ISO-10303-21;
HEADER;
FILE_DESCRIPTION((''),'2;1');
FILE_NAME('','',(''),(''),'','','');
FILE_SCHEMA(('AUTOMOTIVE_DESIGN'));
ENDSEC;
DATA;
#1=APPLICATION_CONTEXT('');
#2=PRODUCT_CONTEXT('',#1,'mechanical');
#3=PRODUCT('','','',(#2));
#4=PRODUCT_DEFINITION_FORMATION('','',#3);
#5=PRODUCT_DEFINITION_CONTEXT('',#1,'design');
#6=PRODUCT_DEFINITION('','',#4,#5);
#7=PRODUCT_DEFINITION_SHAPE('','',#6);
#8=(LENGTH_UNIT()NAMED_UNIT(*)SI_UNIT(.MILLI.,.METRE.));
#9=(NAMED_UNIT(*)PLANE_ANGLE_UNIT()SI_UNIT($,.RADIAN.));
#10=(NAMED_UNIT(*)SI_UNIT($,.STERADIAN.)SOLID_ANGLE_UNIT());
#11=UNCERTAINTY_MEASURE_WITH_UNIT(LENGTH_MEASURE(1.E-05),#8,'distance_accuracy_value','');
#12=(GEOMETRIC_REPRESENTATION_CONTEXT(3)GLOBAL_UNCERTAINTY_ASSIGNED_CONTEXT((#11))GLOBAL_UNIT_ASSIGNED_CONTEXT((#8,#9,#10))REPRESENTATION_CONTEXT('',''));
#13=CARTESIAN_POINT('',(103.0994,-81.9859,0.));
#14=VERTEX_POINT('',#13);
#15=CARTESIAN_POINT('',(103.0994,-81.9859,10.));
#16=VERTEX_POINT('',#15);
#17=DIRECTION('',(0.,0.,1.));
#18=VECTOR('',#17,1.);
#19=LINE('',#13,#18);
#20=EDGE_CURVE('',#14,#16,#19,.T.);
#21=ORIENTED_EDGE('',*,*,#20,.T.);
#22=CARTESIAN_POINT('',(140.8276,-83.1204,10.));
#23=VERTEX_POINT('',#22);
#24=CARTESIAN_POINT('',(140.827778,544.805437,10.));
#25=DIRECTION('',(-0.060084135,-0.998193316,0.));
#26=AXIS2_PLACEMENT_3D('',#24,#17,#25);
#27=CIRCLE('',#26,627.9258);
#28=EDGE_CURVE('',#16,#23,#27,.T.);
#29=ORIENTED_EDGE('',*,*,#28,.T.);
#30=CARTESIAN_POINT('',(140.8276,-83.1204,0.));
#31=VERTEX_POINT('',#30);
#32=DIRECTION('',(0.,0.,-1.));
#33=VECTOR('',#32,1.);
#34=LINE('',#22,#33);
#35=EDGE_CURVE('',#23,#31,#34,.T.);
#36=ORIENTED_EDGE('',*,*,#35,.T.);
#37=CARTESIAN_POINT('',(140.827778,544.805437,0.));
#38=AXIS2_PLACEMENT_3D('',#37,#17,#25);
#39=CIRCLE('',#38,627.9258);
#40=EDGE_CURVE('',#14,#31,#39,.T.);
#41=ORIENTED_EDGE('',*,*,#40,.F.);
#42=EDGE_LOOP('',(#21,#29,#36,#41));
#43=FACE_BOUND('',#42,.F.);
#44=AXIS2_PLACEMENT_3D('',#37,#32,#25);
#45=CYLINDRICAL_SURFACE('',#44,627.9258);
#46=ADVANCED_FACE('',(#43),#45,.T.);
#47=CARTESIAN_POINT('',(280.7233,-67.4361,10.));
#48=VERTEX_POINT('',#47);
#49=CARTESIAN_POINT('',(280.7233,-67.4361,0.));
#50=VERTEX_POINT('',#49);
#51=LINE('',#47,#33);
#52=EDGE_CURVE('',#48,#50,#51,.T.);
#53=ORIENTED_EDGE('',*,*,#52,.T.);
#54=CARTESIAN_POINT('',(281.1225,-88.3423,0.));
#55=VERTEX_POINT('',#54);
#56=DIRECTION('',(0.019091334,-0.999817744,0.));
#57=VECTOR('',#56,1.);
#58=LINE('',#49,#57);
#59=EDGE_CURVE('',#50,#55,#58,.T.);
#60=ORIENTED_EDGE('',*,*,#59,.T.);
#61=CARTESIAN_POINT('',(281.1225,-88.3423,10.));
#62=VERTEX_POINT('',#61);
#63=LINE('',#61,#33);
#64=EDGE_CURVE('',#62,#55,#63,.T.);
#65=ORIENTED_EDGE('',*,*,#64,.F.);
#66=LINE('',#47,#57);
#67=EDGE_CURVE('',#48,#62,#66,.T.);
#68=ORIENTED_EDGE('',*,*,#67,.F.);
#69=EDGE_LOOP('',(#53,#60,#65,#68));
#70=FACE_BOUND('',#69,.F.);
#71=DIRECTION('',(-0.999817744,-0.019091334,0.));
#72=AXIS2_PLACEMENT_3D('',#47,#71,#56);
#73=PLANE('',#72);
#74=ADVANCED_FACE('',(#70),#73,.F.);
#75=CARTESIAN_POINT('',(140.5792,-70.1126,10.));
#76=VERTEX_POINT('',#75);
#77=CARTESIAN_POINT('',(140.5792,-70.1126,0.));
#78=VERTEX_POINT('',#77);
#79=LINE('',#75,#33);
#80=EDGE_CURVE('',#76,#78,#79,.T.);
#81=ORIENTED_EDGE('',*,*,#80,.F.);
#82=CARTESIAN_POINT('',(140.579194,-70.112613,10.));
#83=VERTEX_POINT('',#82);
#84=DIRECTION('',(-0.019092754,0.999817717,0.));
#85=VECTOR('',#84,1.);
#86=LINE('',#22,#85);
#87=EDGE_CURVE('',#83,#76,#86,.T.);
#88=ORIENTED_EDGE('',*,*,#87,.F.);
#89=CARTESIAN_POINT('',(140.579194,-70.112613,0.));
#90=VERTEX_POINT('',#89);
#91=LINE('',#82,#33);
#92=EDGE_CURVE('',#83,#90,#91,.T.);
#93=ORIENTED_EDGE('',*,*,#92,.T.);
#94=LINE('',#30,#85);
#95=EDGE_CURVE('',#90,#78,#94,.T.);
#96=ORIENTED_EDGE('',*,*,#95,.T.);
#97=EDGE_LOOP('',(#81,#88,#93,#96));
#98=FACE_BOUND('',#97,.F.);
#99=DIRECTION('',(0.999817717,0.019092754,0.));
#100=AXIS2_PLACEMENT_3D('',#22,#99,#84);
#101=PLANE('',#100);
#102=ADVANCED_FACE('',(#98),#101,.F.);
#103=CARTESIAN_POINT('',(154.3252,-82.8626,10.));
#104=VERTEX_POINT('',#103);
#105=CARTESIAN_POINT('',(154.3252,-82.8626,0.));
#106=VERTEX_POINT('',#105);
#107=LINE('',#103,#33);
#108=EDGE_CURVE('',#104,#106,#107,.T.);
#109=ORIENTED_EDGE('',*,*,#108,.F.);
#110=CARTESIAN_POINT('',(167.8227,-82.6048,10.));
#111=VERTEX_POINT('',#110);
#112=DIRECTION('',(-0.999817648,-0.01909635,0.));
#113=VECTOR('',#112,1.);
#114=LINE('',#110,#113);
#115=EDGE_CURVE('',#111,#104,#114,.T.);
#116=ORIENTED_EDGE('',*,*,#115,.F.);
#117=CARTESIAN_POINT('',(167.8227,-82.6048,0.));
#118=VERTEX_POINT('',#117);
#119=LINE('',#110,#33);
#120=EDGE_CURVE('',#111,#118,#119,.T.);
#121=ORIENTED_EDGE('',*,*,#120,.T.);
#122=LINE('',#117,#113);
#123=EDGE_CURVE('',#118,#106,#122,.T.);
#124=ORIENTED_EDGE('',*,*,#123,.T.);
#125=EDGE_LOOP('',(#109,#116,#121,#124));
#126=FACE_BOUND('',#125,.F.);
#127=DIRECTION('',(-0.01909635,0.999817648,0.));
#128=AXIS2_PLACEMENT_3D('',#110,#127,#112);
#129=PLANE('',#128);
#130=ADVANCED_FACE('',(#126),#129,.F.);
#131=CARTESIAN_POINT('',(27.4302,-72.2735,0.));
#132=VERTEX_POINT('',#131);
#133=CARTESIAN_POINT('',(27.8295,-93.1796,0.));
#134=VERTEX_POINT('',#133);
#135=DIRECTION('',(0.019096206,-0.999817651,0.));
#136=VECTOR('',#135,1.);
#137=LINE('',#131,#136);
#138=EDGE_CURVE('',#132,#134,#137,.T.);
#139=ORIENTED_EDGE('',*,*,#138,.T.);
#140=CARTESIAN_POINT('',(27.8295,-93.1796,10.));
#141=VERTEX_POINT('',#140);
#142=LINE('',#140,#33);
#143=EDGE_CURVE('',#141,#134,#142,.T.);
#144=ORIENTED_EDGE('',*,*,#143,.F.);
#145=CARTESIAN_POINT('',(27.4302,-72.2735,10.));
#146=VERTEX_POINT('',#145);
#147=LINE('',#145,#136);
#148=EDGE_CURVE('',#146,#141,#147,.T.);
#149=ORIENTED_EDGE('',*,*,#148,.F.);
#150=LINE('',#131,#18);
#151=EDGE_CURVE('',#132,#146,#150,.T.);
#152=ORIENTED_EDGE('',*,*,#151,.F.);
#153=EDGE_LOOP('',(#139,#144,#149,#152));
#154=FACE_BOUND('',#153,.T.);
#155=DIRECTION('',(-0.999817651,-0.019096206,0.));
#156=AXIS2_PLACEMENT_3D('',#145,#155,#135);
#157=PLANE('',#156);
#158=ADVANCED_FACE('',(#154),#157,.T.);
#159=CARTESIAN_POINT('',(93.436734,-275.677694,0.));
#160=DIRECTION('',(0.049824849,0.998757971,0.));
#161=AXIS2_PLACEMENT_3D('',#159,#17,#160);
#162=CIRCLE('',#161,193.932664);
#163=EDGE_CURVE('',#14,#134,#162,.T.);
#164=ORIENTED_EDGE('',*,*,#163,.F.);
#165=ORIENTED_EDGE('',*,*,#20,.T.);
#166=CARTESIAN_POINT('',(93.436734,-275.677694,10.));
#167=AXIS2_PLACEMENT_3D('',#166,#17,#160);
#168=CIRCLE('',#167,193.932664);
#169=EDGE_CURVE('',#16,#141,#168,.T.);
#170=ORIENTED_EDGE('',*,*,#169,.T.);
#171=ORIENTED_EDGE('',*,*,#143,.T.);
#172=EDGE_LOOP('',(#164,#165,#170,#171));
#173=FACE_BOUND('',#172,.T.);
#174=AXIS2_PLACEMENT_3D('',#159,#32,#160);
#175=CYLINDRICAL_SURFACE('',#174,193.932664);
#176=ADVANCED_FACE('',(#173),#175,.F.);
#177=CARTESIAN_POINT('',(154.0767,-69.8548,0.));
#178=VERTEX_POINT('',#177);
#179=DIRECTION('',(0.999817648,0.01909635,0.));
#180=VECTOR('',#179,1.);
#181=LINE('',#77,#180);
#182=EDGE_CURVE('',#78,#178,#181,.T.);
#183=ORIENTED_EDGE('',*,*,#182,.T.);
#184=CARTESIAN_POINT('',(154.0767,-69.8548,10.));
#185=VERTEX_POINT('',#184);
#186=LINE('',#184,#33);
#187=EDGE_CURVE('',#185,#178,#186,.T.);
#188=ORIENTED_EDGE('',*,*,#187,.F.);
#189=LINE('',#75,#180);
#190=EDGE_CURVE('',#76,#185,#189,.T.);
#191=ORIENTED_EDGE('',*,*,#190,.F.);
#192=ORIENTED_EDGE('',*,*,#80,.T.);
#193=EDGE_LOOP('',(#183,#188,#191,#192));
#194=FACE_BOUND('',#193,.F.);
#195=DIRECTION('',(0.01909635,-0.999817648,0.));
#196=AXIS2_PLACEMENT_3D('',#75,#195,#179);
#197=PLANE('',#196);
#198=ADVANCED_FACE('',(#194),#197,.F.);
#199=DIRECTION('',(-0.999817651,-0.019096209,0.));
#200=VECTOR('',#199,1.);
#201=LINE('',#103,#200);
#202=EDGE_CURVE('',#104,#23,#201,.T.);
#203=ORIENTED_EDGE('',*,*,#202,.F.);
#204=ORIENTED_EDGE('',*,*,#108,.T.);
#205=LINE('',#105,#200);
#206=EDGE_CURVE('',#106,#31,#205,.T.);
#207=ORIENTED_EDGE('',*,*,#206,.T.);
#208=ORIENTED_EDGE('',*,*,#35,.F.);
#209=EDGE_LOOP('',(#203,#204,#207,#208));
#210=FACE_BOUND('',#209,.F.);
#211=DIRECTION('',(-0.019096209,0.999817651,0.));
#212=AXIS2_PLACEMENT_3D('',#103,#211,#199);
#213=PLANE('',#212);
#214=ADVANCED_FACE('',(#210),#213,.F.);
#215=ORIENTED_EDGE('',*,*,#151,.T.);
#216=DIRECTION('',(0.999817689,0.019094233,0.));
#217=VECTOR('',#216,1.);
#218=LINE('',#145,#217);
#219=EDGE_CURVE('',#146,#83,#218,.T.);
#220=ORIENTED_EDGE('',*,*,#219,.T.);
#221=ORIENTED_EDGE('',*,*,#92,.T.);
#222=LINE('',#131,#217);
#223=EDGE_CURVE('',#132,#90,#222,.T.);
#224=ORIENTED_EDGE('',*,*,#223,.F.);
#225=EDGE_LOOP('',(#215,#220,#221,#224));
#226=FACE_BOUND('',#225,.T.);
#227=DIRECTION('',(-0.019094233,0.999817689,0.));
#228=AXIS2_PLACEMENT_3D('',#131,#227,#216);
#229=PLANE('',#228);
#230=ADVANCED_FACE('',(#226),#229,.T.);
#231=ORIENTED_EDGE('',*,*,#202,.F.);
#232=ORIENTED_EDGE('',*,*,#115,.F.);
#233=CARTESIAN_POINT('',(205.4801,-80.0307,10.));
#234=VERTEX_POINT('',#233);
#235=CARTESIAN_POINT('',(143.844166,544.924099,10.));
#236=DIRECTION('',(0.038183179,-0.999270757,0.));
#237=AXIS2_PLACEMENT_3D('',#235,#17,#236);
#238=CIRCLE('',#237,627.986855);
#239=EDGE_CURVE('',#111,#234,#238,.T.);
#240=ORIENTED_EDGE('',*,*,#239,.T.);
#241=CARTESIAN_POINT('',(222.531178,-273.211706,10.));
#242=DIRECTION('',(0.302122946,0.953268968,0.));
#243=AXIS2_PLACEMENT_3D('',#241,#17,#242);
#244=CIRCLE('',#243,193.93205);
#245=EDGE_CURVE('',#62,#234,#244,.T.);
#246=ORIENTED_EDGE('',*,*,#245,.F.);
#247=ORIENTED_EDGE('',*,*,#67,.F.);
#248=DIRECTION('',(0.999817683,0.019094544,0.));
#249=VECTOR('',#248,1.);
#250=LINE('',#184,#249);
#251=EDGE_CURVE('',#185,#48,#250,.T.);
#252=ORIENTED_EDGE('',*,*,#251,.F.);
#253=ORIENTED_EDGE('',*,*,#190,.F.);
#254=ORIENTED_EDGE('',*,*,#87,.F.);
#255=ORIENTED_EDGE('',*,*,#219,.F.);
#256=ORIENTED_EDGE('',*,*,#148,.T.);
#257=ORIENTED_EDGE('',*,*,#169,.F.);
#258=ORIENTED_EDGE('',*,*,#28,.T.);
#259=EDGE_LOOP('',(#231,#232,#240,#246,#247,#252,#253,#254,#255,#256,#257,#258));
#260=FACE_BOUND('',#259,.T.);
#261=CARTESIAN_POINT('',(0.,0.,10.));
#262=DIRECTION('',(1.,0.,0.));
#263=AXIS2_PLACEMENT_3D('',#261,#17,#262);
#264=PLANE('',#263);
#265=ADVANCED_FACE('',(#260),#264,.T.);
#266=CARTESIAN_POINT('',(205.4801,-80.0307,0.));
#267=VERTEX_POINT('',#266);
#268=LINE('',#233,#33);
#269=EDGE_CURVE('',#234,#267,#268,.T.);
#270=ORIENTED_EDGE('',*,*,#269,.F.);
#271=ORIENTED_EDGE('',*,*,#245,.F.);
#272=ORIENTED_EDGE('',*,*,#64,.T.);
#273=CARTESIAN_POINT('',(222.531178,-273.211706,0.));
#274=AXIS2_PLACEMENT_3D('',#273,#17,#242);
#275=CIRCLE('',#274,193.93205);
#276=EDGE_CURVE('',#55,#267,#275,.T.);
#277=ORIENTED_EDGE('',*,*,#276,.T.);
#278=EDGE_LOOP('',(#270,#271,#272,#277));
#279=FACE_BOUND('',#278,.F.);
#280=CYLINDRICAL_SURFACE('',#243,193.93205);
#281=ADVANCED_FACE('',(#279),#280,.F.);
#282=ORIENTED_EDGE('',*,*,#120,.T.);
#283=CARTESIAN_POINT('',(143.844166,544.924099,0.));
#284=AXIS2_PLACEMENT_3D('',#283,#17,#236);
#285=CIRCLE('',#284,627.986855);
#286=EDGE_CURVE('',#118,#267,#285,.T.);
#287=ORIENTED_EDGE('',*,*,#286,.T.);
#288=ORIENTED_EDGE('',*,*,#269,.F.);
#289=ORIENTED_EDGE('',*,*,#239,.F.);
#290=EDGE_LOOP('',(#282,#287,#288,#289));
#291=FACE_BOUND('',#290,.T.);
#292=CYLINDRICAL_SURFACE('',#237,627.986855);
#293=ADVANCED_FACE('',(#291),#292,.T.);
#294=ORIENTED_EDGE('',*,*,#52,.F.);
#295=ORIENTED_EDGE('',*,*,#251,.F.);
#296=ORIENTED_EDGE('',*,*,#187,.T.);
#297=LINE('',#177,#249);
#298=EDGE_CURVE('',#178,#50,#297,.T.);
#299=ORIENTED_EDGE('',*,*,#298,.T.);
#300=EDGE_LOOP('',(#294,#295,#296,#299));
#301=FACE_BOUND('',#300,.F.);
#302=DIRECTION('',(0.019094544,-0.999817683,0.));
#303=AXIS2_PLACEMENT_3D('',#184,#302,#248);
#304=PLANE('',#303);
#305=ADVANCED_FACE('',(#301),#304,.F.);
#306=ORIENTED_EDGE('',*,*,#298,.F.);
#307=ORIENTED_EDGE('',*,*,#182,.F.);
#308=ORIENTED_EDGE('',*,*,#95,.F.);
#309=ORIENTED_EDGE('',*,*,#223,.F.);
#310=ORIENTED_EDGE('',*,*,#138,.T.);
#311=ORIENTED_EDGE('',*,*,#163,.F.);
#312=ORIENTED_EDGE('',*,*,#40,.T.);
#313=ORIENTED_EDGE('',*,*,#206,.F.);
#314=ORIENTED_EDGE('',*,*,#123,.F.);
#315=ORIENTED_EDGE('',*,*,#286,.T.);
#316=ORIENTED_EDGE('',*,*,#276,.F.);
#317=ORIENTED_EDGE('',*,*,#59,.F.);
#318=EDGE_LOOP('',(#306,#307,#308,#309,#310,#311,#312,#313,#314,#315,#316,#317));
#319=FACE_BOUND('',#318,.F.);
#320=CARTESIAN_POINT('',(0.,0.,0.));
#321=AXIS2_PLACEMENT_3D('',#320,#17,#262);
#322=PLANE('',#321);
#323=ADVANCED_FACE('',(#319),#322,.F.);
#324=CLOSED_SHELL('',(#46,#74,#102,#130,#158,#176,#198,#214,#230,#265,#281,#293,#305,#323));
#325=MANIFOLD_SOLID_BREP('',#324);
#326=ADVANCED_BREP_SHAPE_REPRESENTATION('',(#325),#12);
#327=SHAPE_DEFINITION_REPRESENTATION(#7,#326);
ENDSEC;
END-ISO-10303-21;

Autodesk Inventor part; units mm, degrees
ref_plane "YZ Plane" through (0, 0, 0) normal (1, 0, 0) x (0, 1, 0)
ref_plane "XZ Plane" through (0, 0, 0) normal (0, 1, 0) x (-1, 0, 0)
ref_plane "XY Plane" through (0, 0, 0) normal (0, 0, 1) x (1, 0, 0)
sketch "Sketch1" plane through (0, 0, 0) normal (0, 0, 1) x (1, 0, 0)
  line L0 (0, 0) -> (293.4944, 0) construction
  line L1 (293.4944, 0) -> (293.4944, -132.0217) construction
  line L2 (293.4944, -132.0217) -> (0, -132.0217) construction
  line L3 (0, -132.0217) -> (0, 0) construction
  line L4 (79.3681, -56.3049) -> (159.3681, -56.3049) construction
  line L5 (283.1562, -93.1287) -> (274.2161, -88.6482) construction
  line L6 (283.1562, -93.1287) -> (282.3201, -93.1287) construction
  line L7 (18.3483, -97.5091) -> (27.4302, -93.3236) construction
  line L8 (18.3483, -97.5091) -> (20.5956, -97.5091) construction
  arc A0 (103.0994, -81.9859) -> (27.4302, -93.3236) centre (93.4367, -275.677) ccw
  arc A1 (274.2161, -88.6482) -> (204.4098, -79.893) centre (217.7822, -255.937) ccw
  arc A2 (103.0994, -81.9859) -> (204.4098, -79.893) centre (140.8276, 544.7964) ccw
  line L9 (27.4302, -93.3236) -> (27.4302, -72.2735)
  line L10 (27.4302, -72.2735) -> (272.6166, -67.591)
  line L11 (272.6166, -67.591) -> (274.2161, -88.6482)
  line L12 (103.0994, -81.9859) -> (86.3195, -71.1488) construction
  line L13 (204.4098, -79.893) -> (220.9707, -68.5773) construction
  line L14 (86.3195, -71.1488) -> (86.3195, -81.1488) construction
  line L15 (86.3195, -81.1488) -> (103.0994, -81.9859) construction
  line L16 (220.9707, -68.5773) -> (221.7303, -78.5773) construction
  line L17 (221.7303, -78.5773) -> (204.4098, -79.893) construction
  dimension "d5" = 80
  dimension "d85" = 10
  dimension "d87" = 26.619
  dimension "d92" = 10
  dimension "d94" = 24.743
  dimension "d100" = 22.985
  dimension "d101" = 22.755
  dimension "d106" = 10
  dimension "d111" = 10
  dimension "d112" = 30
  dimension "d113" = 30
extrude "Extrusion1" add sketch "Sketch1" along normal blind 10
sketch "Sketch2" plane through (0, 0, 10) normal (0, 0, 1) x (1, 0, 0)
  arc A0 (103.0994, -81.9859) -> (204.4098, -79.893) centre (140.8276, 544.7964) ccw projected
  line L0 (272.6166, -67.591) -> (27.4302, -72.2735) projected
  line L1 (27.4302, -72.2735) -> (27.4302, -93.3236) projected
  line L2 (274.2161, -88.6482) -> (272.6166, -67.591) projected
  line L3 (125.3768, -83.1204) -> (158.7723, -83.1204)
  line L4 (140.8276, -83.1204) -> (140.8276, -70.1078)
  line L5 (140.8276, -76.6141) -> (27.4302, -76.6141)
  line L6 (140.8276, -76.6141) -> (273.302, -76.6141)
  arc A1 (274.2161, -88.6482) -> (204.4098, -79.893) centre (217.7822, -255.937) ccw projected
  line L7 (274.2161, -88.6482) -> (272.6166, -67.591) projected
  line L8 (272.6166, -67.591) -> (27.4302, -72.2735) projected
  line L9 (27.4302, -72.2735) -> (27.4302, -93.3236) projected
  arc A2 (103.0994, -81.9859) -> (27.4302, -93.3236) centre (93.4367, -275.677) ccw projected
  arc A3 (103.0994, -81.9859) -> (204.4098, -79.893) centre (140.8276, 544.7964) ccw projected
  line L10 (140.8276, -83.1204) -> (140.4575, -63.7401)
  point P0 (0, 0)
  point P1 (204.4098, -79.893)
  point P2 (140.5792, -70.1126)
  point P3 (140.7034, -76.6141)
  dimension "d121" = 113.3974
  dimension "d122" = 132.4743
extrude "Extrusion2" cut sketch "Sketch2" against normal blind 10 contours L4 L6 L2 A1 A0 | L10 L5 L4 | L5 L10 L0 L4 | L4 L0 L2 L6
sketch "Sketch4" plane through (0, 0, 10) normal (0, 0, 1) x (1, 0, 0)
  line L0 (140.5792, -70.1126) -> (27.4302, -72.2735) projected
  line L1 (27.4302, -72.2735) -> (27.4302, -93.3236) projected
  arc A0 (103.0994, -81.9859) -> (27.4302, -93.3236) centre (93.4367, -275.677) ccw projected
  arc A1 (103.0994, -81.9859) -> (140.8276, -83.1204) centre (140.8276, 544.7964) ccw projected
  line L2 (27.4302, -72.2735) -> (27.4302, -93.3236) projected
  arc A2 (103.0994, -81.9859) -> (27.4302, -93.3236) centre (93.4367, -275.677) ccw projected
  line L3 (27.4302, -72.2735) -> (27.8295, -93.1796)
  line L4 (140.8276, -83.1204) -> (140.5792, -70.1126) projected
  point P0 (0, 0)
  point P1 (253.7282, -67.9517)
  dimension "d128" = 90
extrude "Extrusion4" cut sketch "Sketch4" against normal blind 10 contours L3 A0 L1
sketch "Sketch6" plane through (0, 0, 10) normal (0, 0, 1) x (1, 0, 0)
  line L0 (27.4302, -72.2735) -> (27.8295, -93.1796) projected
  arc A0 (103.0994, -81.9859) -> (27.8295, -93.1796) centre (93.4367, -275.677) ccw projected
  arc A1 (103.0994, -81.9859) -> (140.8276, -83.1204) centre (140.8276, 544.7964) ccw projected
  line L1 (140.8276, -83.1204) -> (140.5792, -70.1126) projected
  line L2 (140.5792, -70.1126) -> (27.4302, -72.2735) projected
  line L3 (140.5792, -70.1126) -> (27.4302, -72.2735) projected
  line L4 (140.5792, -70.1126) -> (154.0767, -69.8548)
  line L5 (154.0767, -69.8548) -> (154.3252, -82.8626)
  line L6 (140.5792, -70.1126) -> (140.8276, -83.1204) projected
  line L7 (154.3252, -82.8626) -> (140.8276, -83.1204)
  point P0 (0, 0)
  dimension "d131" = 13.5
  dimension "d132" = 0
  dimension "d135" = 180
extrude "Extrusion5" add sketch "Sketch6" against normal blind 10 contours L4 L5 L7 L1
sketch "Sketch7" plane through (0, 0, 10) normal (0, 0, 1) x (1, 0, 0)
  line L0 (27.4302, -72.2735) -> (27.8295, -93.1796) projected
  arc A0 (103.0994, -81.9859) -> (27.8295, -93.1796) centre (93.4367, -275.677) ccw projected
  arc A1 (103.0994, -81.9859) -> (140.8276, -83.1204) centre (140.8276, 544.7964) ccw projected
  line L1 (140.8276, -83.1204) -> (154.3252, -82.8626) projected
  line L2 (154.3252, -82.8626) -> (154.0767, -69.8548) projected
  line L3 (154.0767, -69.8548) -> (27.4302, -72.2735) projected
  line L4 (280.7233, -67.4361) -> (281.1225, -88.3423)
  arc A2 (281.1225, -88.3423) -> (205.4801, -80.0307) centre (222.5312, -273.2116) ccw
  arc A3 (167.8227, -82.6048) -> (205.4801, -80.0307) centre (143.8479, 544.854) ccw
  line L5 (167.8227, -82.6048) -> (154.3252, -82.8626)
  line L6 (154.0767, -69.8548) -> (280.7233, -67.4361)
  point P0 (0, 0)
extrude "Extrusion6" add sketch "Sketch7" against normal blind 10 contours L6 L4 A2 A3 L5 L2
equation "\"d111\" = d106"
equation "\"d113\" = d112"
properties part number "deseczka_dol_check - 6"
